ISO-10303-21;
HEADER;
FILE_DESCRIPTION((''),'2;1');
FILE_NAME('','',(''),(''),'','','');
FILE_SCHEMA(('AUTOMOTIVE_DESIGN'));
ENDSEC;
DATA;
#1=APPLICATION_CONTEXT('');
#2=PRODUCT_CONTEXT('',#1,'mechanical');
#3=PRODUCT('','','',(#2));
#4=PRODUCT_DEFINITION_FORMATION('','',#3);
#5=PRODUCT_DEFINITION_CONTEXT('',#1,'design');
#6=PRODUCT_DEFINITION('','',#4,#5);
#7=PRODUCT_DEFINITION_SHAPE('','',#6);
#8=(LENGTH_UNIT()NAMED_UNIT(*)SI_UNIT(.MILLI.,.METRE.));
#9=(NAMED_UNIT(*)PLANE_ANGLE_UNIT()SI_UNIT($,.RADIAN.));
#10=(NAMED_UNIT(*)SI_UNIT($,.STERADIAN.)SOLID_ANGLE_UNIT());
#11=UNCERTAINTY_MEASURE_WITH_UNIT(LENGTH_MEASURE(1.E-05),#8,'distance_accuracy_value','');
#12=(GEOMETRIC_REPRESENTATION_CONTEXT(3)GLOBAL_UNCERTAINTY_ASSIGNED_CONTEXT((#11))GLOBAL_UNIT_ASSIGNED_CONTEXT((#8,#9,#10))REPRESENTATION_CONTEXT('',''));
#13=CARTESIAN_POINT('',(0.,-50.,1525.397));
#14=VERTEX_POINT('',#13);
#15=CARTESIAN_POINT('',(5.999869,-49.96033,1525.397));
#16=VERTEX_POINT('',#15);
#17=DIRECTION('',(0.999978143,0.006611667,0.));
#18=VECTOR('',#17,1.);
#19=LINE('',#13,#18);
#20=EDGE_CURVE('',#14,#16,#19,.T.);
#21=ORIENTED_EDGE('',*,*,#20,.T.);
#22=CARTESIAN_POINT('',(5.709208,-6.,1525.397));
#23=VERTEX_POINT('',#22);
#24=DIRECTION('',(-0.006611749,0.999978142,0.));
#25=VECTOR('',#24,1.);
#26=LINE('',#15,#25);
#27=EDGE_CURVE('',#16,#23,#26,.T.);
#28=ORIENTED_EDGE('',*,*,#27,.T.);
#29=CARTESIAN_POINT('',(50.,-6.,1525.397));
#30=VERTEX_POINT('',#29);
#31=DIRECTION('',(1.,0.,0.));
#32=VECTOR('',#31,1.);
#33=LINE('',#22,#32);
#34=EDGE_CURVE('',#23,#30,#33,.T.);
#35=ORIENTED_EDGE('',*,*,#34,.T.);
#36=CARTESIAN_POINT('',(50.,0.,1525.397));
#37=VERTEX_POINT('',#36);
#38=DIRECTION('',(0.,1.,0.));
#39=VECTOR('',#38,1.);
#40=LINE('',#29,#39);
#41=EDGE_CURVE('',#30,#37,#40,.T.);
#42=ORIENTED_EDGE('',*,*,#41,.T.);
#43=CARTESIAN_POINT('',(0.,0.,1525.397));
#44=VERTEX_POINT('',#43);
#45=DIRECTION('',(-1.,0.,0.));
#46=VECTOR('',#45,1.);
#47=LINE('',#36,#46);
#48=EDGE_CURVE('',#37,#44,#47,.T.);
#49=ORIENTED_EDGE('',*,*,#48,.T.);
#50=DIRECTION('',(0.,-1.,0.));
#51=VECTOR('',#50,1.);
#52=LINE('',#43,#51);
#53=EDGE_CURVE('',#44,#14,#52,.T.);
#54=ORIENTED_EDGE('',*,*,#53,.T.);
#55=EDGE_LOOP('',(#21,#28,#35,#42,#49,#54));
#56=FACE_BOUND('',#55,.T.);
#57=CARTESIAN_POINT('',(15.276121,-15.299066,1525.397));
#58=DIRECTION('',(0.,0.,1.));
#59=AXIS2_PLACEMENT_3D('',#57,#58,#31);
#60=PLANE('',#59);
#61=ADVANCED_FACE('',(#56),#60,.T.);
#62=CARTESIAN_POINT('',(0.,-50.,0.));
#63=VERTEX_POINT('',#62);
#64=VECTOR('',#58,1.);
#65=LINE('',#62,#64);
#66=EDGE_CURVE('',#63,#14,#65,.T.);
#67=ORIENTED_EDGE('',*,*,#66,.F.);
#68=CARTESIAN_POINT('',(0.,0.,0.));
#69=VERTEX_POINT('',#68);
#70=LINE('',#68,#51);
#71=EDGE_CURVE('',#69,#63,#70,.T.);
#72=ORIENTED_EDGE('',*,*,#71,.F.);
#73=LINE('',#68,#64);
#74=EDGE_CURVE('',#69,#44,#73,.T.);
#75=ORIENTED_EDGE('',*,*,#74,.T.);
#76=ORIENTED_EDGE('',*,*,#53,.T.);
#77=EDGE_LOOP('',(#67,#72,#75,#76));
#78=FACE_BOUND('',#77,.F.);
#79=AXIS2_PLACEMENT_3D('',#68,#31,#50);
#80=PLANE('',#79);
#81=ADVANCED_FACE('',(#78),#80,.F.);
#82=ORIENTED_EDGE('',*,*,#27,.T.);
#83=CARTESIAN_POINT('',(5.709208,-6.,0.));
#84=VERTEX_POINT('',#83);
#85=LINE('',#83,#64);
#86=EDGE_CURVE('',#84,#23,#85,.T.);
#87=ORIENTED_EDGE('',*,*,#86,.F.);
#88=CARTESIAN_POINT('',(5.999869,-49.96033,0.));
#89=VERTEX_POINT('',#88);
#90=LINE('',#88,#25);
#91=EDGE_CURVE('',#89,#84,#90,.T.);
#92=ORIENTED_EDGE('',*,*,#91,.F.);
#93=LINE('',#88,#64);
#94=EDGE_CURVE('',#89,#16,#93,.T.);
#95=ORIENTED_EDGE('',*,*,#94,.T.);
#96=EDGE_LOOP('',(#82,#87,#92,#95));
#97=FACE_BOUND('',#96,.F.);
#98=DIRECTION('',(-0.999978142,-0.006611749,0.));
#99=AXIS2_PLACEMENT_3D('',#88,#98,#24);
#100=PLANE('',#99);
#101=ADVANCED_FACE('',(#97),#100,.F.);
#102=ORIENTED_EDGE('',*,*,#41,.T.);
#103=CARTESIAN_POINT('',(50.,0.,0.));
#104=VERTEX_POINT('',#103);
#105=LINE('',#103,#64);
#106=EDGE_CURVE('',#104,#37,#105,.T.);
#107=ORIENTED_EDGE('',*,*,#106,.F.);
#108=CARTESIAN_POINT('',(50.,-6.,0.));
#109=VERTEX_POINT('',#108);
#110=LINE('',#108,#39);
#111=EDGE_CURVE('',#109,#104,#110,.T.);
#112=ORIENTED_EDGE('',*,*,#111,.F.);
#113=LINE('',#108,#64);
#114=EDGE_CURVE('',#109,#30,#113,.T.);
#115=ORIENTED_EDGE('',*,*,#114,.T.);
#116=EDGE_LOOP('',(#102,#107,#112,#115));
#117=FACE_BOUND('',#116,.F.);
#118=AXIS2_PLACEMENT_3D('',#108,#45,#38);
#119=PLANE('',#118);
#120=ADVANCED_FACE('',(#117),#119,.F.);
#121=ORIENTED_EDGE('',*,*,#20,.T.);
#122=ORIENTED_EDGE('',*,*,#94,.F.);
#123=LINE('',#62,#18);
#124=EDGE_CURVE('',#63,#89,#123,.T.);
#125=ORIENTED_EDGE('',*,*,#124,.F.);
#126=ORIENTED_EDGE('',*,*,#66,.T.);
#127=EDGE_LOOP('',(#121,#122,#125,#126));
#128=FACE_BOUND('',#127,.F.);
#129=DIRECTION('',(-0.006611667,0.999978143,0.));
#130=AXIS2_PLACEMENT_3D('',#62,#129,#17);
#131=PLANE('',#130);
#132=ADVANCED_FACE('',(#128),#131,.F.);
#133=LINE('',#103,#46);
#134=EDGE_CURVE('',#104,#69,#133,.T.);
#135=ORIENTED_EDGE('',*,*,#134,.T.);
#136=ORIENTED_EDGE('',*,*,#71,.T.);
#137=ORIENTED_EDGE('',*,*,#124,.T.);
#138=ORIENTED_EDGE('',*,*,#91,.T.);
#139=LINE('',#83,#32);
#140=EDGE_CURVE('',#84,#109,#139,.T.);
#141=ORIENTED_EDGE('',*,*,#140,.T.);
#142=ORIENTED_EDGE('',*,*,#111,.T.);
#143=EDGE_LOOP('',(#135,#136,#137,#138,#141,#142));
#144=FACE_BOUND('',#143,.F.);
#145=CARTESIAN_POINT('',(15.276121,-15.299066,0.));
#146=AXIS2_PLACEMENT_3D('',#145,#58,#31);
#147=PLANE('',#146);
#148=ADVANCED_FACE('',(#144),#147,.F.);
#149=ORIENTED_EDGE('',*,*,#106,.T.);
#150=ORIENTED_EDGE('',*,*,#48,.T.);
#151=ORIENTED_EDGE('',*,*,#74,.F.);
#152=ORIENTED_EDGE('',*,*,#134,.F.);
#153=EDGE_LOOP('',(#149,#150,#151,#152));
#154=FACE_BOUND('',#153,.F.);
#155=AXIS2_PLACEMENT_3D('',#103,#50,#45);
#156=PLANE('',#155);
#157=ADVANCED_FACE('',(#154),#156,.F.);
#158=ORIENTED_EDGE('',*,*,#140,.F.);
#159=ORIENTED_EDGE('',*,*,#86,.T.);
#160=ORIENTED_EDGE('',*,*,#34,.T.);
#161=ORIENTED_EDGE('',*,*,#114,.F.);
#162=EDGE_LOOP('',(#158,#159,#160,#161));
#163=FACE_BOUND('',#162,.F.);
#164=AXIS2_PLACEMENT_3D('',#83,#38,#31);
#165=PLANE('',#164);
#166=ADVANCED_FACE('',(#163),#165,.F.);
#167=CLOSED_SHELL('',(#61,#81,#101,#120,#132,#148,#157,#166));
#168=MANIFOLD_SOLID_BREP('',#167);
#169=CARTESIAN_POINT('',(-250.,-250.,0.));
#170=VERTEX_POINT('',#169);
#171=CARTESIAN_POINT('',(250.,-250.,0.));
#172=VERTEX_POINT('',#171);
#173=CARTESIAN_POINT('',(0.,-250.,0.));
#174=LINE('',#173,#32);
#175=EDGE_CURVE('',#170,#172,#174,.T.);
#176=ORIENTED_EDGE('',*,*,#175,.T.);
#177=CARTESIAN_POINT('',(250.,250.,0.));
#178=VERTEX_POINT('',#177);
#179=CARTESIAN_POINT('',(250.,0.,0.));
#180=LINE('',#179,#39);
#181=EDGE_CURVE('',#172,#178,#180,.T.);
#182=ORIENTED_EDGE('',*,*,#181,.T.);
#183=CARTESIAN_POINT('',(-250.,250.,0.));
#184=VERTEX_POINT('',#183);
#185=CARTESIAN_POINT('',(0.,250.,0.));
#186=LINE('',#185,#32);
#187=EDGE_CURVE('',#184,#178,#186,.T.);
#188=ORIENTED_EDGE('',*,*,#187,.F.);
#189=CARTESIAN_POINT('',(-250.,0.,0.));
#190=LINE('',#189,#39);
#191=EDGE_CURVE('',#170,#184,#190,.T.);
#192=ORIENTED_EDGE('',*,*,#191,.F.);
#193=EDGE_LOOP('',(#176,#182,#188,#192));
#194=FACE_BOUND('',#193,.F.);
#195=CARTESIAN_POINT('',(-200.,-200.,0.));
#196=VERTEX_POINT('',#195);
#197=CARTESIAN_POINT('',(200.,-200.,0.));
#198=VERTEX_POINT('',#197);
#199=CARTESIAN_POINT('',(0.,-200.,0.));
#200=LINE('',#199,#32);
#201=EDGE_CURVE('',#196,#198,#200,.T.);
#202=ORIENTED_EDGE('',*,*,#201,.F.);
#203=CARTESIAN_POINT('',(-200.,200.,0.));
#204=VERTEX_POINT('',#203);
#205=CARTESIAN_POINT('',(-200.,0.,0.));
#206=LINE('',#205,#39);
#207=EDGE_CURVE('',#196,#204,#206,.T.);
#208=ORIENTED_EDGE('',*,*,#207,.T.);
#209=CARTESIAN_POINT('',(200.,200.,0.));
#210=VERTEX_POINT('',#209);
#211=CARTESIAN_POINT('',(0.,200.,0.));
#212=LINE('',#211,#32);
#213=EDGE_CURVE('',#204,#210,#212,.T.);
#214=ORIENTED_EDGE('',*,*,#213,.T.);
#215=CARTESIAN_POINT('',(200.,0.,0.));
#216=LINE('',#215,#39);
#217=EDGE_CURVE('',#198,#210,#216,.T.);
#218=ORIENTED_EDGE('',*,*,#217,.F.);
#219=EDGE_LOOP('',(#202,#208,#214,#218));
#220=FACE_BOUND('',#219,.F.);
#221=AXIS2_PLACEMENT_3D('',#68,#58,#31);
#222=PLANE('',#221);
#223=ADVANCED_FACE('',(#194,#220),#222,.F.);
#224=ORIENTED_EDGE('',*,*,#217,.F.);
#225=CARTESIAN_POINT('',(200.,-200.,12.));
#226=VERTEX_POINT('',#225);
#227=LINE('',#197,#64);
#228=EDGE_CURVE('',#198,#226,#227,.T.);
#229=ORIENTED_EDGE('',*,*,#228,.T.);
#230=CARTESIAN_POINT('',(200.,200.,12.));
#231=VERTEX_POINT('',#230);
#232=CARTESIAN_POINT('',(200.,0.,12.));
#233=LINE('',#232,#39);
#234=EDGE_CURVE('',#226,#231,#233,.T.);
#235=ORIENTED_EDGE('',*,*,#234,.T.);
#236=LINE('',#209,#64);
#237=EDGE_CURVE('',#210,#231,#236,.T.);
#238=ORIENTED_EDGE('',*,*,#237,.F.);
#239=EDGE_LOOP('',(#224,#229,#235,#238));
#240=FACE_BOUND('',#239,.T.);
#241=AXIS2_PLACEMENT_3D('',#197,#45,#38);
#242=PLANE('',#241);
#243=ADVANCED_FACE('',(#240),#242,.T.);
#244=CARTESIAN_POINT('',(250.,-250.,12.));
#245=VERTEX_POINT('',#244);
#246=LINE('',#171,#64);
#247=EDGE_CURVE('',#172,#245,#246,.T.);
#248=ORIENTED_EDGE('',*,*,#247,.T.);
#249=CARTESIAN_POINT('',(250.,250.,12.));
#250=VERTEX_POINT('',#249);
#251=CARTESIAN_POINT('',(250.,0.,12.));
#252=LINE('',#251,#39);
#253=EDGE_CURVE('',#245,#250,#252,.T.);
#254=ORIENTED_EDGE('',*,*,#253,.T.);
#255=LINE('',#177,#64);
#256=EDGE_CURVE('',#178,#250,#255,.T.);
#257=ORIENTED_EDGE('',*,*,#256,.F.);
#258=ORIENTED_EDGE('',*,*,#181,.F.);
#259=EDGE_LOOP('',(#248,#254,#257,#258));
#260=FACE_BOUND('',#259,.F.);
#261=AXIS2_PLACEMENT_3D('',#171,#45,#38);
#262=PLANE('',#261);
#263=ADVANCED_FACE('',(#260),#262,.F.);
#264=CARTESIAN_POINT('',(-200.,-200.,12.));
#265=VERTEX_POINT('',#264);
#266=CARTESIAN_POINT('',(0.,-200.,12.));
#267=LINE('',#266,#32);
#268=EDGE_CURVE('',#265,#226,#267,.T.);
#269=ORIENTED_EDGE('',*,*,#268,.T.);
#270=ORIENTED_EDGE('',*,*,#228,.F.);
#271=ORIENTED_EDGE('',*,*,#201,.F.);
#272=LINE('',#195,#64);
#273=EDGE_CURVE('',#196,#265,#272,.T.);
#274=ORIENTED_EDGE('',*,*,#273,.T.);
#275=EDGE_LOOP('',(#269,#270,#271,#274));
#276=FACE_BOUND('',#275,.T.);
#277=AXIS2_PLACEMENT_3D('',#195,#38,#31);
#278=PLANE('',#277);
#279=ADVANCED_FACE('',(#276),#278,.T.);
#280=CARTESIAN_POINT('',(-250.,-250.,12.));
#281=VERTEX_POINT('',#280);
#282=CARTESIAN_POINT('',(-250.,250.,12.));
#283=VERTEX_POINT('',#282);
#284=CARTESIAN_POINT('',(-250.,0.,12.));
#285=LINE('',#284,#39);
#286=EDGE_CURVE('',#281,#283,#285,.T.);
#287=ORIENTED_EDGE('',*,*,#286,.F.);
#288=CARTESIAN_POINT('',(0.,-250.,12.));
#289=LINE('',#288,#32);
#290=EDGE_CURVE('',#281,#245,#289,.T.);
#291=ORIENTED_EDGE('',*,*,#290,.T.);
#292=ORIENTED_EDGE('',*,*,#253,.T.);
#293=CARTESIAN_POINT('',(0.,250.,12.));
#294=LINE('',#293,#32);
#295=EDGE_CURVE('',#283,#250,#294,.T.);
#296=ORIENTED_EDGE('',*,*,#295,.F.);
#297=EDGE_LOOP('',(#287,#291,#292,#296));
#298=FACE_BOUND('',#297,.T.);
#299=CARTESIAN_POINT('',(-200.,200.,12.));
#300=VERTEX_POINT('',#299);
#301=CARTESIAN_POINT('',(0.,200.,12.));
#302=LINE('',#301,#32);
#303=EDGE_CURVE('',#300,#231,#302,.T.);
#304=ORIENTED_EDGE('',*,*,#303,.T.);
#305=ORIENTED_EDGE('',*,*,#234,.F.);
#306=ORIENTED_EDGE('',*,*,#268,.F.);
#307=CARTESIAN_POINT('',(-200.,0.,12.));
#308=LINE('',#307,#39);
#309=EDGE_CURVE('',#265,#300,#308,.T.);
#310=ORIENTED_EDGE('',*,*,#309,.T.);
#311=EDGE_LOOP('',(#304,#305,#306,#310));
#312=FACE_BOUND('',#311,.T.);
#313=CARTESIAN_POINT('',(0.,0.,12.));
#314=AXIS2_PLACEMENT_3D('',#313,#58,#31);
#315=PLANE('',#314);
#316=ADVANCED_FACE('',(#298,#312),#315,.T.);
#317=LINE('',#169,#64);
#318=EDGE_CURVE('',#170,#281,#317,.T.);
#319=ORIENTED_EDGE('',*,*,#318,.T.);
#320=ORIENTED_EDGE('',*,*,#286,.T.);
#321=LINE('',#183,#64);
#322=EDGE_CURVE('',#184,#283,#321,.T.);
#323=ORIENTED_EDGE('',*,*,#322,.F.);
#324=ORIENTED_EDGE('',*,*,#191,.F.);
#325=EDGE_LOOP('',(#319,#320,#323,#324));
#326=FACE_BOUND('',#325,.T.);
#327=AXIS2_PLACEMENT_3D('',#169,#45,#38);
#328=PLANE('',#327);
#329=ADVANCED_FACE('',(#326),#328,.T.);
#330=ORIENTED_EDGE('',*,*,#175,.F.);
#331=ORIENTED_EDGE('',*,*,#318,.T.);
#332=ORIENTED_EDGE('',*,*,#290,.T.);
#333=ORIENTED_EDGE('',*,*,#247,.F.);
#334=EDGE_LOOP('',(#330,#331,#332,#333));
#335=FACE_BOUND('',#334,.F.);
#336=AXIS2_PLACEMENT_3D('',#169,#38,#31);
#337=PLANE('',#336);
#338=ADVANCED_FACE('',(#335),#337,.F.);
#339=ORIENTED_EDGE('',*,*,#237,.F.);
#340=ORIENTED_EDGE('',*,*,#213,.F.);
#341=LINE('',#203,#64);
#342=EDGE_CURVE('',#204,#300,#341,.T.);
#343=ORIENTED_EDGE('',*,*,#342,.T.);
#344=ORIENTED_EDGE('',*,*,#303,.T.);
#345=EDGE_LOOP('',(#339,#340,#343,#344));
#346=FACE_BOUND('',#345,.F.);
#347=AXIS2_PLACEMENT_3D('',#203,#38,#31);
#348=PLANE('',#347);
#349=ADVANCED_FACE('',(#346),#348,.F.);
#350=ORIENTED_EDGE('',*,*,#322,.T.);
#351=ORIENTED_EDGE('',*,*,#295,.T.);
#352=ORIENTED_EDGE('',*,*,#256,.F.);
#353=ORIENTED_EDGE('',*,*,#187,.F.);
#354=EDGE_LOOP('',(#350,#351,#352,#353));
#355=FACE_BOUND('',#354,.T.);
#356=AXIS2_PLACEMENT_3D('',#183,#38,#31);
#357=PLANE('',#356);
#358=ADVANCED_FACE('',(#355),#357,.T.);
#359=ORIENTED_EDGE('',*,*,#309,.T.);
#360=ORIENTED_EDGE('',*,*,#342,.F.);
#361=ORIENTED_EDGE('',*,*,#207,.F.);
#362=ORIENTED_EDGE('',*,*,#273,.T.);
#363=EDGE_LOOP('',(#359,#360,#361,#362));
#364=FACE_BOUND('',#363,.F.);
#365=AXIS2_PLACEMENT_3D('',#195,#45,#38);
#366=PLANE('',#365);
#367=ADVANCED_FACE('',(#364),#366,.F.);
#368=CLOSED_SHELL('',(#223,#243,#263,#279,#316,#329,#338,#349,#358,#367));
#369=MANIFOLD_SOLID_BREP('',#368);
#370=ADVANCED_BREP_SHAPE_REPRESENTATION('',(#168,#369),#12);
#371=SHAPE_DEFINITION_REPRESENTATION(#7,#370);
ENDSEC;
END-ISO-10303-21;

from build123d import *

# Parameters (mm, degrees)
F1_DEPTH = 1525.397
F2_W     = 500
F2_H     = 500
F2_W_2   = 400
F2_H_2   = 400
F3_DEPTH = 12


with BuildPart() as f1:
    # F0 (on Top) → F1 (new body)
    with BuildSketch(Plane.XY):
        Polygon((50, 0), (0, 0), (0, -50), (5.999869, -49.96033), (5.709208, -6), (50, -6), align=None)
    extrude(amount=F1_DEPTH)


with BuildPart() as f3:
    # F2 (on Top) → F3 (new body)
    with BuildSketch(Plane.XY):
        Rectangle(F2_W, F2_H)
        Rectangle(F2_W_2, F2_H_2, mode=Mode.SUBTRACT)
    extrude(amount=F3_DEPTH)


solid = Compound([f1.part, f3.part])
